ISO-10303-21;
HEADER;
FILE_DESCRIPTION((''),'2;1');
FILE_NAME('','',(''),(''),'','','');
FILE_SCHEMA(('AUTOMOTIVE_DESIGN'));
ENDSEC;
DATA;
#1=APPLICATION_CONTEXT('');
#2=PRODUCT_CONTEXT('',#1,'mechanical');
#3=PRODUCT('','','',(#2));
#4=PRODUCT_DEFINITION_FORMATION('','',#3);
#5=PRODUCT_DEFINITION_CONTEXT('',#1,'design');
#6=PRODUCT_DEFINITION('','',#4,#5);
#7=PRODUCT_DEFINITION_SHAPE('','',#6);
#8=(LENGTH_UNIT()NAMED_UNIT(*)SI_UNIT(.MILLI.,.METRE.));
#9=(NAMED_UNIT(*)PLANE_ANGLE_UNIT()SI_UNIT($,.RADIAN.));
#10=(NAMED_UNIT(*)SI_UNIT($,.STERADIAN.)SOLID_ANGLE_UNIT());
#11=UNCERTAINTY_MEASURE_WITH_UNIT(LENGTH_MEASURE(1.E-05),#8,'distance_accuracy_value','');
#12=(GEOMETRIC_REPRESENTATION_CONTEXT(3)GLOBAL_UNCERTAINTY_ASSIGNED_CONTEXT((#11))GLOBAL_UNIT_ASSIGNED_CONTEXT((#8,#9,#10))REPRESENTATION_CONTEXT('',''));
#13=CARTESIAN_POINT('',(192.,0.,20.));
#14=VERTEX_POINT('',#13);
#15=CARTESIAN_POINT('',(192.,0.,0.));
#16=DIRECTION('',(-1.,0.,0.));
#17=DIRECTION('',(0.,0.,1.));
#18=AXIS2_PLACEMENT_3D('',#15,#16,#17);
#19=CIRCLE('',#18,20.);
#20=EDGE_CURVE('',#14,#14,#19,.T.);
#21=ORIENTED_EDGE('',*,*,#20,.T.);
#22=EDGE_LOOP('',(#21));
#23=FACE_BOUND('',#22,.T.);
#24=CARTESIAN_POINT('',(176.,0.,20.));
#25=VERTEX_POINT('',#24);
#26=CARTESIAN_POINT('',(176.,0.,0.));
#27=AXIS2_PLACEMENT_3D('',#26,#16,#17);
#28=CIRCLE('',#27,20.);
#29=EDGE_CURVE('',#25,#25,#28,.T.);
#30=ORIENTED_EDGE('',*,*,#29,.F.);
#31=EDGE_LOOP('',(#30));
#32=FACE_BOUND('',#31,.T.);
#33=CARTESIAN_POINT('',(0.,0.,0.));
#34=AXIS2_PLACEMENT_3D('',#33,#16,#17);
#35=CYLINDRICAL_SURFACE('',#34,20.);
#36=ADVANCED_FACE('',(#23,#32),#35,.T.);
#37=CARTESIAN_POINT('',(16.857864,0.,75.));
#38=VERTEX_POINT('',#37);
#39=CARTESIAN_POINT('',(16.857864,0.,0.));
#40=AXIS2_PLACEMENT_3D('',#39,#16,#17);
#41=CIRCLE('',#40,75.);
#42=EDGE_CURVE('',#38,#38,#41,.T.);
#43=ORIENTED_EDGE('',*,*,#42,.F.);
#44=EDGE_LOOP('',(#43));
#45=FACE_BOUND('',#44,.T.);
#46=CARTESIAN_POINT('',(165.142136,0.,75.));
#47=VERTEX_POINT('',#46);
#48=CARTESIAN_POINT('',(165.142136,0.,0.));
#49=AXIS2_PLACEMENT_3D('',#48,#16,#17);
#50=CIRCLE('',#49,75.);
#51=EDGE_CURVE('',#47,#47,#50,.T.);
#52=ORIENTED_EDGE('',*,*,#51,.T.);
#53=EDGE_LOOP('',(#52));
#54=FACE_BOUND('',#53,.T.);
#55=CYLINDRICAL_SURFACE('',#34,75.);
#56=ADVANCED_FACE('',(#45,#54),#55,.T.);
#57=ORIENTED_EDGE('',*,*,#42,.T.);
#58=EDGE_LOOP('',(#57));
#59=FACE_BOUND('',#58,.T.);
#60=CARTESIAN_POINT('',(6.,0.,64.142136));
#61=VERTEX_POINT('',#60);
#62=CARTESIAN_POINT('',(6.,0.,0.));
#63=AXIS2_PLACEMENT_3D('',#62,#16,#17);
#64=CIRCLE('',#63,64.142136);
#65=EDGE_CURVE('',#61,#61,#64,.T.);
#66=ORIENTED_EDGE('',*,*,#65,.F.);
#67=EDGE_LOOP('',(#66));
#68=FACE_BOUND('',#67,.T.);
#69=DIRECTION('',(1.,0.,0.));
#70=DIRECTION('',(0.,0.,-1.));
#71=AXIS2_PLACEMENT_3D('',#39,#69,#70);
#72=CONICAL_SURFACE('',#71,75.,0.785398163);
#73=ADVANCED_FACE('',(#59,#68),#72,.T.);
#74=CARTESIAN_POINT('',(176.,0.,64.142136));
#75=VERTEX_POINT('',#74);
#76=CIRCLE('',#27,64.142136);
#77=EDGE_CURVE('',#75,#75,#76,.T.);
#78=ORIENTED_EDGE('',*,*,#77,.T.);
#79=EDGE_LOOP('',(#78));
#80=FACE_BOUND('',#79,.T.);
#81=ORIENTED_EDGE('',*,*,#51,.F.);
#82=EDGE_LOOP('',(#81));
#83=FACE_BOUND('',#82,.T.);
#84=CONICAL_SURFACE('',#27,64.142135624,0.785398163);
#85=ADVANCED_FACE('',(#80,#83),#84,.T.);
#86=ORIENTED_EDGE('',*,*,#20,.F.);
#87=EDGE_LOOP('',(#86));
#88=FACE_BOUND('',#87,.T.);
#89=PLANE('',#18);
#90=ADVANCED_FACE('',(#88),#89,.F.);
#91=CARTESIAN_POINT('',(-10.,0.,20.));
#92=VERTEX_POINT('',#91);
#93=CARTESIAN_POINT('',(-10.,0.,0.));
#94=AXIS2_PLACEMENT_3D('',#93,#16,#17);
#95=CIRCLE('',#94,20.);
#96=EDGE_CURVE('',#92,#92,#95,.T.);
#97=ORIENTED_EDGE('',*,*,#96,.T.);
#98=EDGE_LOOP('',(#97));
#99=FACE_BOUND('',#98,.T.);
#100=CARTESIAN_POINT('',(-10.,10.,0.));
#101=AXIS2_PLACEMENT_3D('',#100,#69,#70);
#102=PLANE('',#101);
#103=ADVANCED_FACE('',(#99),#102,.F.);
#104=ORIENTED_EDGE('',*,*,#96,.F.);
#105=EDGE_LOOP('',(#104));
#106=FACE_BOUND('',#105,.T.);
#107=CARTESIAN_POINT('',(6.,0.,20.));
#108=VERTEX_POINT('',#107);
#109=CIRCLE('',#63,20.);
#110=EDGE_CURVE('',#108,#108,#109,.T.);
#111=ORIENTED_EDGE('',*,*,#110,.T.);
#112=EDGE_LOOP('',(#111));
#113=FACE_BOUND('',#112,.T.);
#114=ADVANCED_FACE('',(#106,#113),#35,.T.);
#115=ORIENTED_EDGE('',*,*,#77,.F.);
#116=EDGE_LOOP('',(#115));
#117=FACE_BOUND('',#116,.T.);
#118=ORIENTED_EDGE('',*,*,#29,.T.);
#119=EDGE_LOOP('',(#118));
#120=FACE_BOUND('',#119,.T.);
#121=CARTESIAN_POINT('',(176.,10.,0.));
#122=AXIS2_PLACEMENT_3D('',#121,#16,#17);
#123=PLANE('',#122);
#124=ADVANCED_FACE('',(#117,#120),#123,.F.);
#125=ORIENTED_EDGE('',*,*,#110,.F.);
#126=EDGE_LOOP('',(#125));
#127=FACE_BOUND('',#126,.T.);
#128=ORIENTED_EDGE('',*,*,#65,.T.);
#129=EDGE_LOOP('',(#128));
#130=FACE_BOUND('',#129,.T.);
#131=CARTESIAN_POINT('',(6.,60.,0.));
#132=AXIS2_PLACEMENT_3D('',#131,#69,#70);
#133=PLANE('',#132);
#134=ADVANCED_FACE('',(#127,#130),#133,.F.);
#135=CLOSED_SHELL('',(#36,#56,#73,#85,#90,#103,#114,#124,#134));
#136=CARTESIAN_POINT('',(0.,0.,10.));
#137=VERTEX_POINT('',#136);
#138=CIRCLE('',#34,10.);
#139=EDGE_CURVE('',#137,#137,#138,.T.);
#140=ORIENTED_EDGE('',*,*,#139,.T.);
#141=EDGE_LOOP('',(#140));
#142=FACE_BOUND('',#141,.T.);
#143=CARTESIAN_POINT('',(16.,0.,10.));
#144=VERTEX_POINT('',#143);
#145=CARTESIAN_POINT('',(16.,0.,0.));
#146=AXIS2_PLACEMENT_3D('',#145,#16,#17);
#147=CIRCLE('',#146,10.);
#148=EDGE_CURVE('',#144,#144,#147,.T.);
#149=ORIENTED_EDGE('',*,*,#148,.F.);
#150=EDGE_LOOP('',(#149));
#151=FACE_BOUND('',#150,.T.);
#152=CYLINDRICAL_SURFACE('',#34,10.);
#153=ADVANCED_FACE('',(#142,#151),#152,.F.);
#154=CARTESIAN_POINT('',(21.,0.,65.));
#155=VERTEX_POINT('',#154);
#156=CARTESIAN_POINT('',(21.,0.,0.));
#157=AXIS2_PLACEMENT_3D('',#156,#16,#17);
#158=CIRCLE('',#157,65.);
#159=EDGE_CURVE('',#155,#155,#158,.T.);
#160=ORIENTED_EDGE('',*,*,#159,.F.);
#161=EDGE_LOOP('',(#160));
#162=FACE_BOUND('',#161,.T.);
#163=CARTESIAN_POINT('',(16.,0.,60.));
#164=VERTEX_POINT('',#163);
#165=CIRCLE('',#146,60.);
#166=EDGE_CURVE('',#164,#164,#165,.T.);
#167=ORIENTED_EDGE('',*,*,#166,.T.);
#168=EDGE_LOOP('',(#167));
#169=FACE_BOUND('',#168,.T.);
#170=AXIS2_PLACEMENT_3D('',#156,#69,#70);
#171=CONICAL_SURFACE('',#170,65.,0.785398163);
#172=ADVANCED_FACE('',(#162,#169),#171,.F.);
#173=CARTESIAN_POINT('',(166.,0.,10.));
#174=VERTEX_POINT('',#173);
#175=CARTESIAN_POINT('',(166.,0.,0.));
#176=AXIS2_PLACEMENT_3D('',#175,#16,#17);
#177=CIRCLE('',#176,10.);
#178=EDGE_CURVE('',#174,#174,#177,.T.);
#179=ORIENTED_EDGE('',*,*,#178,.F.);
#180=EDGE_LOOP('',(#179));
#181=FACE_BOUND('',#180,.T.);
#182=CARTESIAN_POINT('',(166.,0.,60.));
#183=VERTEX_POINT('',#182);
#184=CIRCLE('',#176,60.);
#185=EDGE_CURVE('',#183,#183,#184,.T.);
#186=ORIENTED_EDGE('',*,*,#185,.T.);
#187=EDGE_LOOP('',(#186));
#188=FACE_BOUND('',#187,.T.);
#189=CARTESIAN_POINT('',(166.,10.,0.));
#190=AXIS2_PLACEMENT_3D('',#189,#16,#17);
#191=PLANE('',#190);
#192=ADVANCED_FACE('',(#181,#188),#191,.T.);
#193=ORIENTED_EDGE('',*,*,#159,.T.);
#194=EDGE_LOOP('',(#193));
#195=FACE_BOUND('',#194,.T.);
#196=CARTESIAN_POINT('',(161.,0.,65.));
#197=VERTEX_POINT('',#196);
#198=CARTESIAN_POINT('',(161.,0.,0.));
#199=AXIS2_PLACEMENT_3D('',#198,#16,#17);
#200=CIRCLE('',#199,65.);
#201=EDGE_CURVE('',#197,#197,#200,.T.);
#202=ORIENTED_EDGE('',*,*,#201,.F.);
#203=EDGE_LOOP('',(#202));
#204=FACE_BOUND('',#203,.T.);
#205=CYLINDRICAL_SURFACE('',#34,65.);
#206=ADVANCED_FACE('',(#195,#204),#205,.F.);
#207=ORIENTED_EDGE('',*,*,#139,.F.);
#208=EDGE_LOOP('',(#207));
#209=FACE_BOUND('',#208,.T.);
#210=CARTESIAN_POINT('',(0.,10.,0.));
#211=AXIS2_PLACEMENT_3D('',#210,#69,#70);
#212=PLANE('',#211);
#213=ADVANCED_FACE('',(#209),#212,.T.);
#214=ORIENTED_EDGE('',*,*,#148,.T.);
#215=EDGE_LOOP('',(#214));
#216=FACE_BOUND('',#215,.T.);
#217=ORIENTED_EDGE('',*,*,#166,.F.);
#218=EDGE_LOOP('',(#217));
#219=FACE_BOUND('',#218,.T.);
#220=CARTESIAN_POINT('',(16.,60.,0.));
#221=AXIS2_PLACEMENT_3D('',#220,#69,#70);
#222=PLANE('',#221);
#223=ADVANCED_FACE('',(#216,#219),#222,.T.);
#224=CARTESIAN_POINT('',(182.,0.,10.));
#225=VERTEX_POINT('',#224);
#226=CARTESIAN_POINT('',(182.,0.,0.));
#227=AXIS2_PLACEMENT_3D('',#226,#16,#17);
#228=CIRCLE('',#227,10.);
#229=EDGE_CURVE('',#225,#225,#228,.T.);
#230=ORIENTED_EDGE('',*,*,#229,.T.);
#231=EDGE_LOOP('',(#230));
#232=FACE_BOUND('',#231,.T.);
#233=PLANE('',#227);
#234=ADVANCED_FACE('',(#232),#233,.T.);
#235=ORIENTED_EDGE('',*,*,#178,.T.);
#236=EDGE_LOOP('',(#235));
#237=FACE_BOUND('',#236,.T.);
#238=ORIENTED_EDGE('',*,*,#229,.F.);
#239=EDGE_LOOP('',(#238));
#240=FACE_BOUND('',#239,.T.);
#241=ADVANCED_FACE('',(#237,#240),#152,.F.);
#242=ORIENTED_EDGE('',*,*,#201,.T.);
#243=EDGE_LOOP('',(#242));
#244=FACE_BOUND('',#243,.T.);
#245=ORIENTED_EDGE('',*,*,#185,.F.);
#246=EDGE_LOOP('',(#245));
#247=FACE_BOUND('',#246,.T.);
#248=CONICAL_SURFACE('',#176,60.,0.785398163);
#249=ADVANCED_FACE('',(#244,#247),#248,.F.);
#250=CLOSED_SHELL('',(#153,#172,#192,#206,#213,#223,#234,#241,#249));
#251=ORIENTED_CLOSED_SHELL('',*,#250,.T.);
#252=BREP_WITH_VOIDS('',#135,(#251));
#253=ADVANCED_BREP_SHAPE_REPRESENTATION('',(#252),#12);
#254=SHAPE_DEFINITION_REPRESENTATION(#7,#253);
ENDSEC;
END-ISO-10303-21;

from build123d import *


with BuildPart() as part:
    # Croquis1 → Revolución-Lámina1 (revolve)
    with BuildSketch(Plane.XY):
        Polygon((182, 0), (182, 10), (166, 10), (166, 60), (161, 65), (21, 65), (16, 60), (16, 10), (0, 10), (0, 0), (-10, 0), (-10, 20), (6, 20), (6, 64.142135624), (16.857864376, 75), (165.142135624, 75), (176, 64.142135624), (176, 20), (192, 20), (192, 0), align=None)
    revolve(axis=Axis((0, 0, 0), (1, 0, 0)))


solid = part.part
